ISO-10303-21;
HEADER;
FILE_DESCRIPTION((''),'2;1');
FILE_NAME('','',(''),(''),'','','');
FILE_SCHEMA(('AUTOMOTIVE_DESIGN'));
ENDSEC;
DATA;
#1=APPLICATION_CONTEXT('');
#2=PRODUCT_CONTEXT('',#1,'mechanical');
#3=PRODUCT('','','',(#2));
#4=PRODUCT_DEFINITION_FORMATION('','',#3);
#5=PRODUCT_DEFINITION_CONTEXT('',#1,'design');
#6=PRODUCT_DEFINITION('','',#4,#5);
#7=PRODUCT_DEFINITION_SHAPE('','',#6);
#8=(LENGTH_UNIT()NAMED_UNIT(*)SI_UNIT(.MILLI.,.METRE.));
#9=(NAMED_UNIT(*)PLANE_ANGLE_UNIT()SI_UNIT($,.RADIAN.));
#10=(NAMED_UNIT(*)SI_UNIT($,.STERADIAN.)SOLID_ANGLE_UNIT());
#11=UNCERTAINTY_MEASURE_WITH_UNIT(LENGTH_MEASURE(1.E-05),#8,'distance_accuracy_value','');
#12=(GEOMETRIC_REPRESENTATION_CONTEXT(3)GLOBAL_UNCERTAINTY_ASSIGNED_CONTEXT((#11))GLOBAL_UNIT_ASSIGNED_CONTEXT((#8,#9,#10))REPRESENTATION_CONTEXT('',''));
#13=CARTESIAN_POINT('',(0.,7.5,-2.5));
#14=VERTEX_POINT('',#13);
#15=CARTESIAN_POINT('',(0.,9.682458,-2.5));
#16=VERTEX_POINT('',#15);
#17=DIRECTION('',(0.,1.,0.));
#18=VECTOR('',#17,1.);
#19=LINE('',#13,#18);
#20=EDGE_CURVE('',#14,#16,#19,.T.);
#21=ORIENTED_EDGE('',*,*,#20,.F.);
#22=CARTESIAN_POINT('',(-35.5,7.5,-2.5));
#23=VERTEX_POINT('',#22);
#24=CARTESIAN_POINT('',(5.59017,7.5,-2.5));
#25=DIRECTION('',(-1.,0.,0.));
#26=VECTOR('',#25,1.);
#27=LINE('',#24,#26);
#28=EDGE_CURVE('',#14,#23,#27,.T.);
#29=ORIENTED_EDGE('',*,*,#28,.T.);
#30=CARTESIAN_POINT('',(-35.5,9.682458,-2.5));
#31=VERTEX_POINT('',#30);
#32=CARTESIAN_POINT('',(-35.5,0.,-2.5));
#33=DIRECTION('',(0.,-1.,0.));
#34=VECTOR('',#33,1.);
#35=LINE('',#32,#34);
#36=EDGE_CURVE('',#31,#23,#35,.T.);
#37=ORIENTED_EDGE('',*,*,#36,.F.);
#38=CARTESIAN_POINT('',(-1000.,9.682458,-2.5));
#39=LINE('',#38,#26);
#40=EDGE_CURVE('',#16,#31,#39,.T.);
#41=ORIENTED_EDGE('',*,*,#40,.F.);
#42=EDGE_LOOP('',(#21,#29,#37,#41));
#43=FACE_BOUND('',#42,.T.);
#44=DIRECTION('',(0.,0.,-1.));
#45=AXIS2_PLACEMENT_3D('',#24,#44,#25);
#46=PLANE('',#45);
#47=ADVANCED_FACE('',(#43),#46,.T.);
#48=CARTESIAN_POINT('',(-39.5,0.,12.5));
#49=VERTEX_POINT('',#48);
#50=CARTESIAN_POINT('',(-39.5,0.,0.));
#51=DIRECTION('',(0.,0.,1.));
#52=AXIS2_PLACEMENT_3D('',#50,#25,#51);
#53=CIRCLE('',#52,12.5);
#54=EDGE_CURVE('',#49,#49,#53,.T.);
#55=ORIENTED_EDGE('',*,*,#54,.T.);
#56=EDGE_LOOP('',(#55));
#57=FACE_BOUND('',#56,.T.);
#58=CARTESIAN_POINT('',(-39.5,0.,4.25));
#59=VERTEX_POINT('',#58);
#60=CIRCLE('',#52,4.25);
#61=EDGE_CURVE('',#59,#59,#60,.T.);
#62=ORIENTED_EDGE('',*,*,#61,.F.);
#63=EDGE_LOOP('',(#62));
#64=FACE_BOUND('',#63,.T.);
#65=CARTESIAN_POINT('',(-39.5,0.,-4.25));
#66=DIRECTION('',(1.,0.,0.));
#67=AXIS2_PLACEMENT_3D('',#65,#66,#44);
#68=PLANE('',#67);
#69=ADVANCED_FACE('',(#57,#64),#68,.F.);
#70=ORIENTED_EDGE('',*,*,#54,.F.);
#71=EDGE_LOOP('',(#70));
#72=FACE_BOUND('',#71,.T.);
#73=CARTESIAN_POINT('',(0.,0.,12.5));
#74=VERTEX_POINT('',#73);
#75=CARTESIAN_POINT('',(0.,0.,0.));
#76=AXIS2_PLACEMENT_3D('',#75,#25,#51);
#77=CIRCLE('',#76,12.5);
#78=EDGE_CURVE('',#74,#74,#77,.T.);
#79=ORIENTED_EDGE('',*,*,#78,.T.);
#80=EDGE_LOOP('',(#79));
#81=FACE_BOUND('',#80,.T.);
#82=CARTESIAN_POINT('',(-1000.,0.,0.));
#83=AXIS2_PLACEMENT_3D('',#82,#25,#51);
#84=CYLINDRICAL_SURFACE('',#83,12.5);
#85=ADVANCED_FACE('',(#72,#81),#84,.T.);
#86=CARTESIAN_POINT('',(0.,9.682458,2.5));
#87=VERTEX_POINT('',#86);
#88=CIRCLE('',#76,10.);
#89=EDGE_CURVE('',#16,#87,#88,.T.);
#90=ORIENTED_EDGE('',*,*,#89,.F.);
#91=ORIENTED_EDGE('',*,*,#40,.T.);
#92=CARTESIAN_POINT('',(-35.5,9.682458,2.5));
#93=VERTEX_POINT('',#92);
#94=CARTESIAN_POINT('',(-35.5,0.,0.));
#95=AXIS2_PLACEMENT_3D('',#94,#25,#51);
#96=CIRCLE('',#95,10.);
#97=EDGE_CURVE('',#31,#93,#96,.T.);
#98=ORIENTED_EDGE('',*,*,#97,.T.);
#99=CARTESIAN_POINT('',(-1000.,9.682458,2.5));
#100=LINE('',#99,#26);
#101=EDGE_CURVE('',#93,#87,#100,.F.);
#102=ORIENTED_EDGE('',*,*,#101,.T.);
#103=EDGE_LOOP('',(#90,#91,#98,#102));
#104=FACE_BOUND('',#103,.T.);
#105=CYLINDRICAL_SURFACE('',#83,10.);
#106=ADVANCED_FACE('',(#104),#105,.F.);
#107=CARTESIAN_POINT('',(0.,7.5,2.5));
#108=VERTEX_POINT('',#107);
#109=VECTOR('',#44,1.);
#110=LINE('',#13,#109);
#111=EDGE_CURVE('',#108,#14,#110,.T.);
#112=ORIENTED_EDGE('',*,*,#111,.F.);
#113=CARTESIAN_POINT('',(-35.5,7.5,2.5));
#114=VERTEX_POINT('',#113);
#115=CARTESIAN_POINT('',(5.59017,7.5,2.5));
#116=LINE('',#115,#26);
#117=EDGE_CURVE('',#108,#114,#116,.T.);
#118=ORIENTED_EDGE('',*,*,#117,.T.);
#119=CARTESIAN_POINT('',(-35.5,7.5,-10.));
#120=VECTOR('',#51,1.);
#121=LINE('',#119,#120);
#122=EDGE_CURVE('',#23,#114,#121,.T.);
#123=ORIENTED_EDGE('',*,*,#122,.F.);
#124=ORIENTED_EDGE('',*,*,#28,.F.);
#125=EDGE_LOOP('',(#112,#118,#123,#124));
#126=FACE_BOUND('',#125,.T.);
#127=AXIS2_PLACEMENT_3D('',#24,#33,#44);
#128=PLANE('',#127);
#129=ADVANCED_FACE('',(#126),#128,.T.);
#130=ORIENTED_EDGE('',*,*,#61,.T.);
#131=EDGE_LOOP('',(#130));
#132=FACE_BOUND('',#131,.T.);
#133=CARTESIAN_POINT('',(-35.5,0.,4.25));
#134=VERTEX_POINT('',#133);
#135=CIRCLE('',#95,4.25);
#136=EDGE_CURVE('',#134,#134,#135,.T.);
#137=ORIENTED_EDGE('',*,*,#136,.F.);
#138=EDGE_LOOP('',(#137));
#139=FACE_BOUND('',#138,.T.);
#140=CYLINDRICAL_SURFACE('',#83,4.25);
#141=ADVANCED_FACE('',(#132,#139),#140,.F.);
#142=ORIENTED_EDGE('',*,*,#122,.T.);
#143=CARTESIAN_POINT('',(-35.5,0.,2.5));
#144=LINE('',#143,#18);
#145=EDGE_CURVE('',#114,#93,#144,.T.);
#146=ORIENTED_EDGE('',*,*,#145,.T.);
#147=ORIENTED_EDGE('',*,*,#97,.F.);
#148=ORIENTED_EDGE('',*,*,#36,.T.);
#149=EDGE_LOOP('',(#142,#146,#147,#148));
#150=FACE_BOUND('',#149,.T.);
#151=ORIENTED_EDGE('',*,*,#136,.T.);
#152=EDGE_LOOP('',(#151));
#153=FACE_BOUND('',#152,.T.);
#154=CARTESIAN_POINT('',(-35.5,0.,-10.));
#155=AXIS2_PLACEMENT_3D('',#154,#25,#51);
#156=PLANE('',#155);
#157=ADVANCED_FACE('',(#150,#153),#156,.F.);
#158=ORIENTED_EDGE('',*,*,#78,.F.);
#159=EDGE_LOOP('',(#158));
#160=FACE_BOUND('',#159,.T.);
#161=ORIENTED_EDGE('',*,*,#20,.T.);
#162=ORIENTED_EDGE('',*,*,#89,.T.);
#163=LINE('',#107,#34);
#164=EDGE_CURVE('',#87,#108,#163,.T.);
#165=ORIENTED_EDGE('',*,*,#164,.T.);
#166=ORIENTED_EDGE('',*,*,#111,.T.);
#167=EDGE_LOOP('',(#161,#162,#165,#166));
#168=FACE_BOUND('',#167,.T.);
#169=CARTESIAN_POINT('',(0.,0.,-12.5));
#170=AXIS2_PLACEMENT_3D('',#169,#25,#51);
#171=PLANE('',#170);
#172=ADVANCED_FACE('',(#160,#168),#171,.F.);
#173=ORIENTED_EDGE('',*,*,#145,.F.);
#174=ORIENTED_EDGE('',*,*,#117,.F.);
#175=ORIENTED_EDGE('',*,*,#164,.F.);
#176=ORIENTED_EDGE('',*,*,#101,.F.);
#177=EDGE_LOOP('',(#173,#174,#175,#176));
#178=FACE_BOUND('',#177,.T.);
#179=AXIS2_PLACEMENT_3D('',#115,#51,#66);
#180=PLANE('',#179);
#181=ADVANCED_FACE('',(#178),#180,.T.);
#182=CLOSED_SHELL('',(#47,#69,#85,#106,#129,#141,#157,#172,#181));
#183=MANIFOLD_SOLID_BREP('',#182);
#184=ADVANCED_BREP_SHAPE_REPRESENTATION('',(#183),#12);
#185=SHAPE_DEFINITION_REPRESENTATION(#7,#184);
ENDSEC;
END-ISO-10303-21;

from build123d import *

# Parameters (mm, degrees)
SKETCH_2_W      = 5
SKETCH_2_H      = 2.5
EXTRUDE_1_DEPTH = 39.5


with BuildPart() as part:
    # Эскиз1 → Повернуть1 (revolve)
    with BuildSketch(Plane(origin=(0, 0, 0), x_dir=(1, 0, 0), z_dir=(0, 1, 0))):
        Polygon((0, 10), (-35.5, 10), (-35.5, 4.25), (-39.5, 4.25), (-39.5, 12.5), (0, 12.5), align=None)
    revolve(axis=Axis((-1000, 0, 0), (1, 0, 0)))

    # Эскиз2 → Бобышка-Вытянуть1 (add)
    with BuildSketch(Plane.ZY.offset(39.5)):
        with Locations((0, 8.75)):
            Rectangle(SKETCH_2_W, SKETCH_2_H)
    extrude(amount=-EXTRUDE_1_DEPTH)


solid = part.part
